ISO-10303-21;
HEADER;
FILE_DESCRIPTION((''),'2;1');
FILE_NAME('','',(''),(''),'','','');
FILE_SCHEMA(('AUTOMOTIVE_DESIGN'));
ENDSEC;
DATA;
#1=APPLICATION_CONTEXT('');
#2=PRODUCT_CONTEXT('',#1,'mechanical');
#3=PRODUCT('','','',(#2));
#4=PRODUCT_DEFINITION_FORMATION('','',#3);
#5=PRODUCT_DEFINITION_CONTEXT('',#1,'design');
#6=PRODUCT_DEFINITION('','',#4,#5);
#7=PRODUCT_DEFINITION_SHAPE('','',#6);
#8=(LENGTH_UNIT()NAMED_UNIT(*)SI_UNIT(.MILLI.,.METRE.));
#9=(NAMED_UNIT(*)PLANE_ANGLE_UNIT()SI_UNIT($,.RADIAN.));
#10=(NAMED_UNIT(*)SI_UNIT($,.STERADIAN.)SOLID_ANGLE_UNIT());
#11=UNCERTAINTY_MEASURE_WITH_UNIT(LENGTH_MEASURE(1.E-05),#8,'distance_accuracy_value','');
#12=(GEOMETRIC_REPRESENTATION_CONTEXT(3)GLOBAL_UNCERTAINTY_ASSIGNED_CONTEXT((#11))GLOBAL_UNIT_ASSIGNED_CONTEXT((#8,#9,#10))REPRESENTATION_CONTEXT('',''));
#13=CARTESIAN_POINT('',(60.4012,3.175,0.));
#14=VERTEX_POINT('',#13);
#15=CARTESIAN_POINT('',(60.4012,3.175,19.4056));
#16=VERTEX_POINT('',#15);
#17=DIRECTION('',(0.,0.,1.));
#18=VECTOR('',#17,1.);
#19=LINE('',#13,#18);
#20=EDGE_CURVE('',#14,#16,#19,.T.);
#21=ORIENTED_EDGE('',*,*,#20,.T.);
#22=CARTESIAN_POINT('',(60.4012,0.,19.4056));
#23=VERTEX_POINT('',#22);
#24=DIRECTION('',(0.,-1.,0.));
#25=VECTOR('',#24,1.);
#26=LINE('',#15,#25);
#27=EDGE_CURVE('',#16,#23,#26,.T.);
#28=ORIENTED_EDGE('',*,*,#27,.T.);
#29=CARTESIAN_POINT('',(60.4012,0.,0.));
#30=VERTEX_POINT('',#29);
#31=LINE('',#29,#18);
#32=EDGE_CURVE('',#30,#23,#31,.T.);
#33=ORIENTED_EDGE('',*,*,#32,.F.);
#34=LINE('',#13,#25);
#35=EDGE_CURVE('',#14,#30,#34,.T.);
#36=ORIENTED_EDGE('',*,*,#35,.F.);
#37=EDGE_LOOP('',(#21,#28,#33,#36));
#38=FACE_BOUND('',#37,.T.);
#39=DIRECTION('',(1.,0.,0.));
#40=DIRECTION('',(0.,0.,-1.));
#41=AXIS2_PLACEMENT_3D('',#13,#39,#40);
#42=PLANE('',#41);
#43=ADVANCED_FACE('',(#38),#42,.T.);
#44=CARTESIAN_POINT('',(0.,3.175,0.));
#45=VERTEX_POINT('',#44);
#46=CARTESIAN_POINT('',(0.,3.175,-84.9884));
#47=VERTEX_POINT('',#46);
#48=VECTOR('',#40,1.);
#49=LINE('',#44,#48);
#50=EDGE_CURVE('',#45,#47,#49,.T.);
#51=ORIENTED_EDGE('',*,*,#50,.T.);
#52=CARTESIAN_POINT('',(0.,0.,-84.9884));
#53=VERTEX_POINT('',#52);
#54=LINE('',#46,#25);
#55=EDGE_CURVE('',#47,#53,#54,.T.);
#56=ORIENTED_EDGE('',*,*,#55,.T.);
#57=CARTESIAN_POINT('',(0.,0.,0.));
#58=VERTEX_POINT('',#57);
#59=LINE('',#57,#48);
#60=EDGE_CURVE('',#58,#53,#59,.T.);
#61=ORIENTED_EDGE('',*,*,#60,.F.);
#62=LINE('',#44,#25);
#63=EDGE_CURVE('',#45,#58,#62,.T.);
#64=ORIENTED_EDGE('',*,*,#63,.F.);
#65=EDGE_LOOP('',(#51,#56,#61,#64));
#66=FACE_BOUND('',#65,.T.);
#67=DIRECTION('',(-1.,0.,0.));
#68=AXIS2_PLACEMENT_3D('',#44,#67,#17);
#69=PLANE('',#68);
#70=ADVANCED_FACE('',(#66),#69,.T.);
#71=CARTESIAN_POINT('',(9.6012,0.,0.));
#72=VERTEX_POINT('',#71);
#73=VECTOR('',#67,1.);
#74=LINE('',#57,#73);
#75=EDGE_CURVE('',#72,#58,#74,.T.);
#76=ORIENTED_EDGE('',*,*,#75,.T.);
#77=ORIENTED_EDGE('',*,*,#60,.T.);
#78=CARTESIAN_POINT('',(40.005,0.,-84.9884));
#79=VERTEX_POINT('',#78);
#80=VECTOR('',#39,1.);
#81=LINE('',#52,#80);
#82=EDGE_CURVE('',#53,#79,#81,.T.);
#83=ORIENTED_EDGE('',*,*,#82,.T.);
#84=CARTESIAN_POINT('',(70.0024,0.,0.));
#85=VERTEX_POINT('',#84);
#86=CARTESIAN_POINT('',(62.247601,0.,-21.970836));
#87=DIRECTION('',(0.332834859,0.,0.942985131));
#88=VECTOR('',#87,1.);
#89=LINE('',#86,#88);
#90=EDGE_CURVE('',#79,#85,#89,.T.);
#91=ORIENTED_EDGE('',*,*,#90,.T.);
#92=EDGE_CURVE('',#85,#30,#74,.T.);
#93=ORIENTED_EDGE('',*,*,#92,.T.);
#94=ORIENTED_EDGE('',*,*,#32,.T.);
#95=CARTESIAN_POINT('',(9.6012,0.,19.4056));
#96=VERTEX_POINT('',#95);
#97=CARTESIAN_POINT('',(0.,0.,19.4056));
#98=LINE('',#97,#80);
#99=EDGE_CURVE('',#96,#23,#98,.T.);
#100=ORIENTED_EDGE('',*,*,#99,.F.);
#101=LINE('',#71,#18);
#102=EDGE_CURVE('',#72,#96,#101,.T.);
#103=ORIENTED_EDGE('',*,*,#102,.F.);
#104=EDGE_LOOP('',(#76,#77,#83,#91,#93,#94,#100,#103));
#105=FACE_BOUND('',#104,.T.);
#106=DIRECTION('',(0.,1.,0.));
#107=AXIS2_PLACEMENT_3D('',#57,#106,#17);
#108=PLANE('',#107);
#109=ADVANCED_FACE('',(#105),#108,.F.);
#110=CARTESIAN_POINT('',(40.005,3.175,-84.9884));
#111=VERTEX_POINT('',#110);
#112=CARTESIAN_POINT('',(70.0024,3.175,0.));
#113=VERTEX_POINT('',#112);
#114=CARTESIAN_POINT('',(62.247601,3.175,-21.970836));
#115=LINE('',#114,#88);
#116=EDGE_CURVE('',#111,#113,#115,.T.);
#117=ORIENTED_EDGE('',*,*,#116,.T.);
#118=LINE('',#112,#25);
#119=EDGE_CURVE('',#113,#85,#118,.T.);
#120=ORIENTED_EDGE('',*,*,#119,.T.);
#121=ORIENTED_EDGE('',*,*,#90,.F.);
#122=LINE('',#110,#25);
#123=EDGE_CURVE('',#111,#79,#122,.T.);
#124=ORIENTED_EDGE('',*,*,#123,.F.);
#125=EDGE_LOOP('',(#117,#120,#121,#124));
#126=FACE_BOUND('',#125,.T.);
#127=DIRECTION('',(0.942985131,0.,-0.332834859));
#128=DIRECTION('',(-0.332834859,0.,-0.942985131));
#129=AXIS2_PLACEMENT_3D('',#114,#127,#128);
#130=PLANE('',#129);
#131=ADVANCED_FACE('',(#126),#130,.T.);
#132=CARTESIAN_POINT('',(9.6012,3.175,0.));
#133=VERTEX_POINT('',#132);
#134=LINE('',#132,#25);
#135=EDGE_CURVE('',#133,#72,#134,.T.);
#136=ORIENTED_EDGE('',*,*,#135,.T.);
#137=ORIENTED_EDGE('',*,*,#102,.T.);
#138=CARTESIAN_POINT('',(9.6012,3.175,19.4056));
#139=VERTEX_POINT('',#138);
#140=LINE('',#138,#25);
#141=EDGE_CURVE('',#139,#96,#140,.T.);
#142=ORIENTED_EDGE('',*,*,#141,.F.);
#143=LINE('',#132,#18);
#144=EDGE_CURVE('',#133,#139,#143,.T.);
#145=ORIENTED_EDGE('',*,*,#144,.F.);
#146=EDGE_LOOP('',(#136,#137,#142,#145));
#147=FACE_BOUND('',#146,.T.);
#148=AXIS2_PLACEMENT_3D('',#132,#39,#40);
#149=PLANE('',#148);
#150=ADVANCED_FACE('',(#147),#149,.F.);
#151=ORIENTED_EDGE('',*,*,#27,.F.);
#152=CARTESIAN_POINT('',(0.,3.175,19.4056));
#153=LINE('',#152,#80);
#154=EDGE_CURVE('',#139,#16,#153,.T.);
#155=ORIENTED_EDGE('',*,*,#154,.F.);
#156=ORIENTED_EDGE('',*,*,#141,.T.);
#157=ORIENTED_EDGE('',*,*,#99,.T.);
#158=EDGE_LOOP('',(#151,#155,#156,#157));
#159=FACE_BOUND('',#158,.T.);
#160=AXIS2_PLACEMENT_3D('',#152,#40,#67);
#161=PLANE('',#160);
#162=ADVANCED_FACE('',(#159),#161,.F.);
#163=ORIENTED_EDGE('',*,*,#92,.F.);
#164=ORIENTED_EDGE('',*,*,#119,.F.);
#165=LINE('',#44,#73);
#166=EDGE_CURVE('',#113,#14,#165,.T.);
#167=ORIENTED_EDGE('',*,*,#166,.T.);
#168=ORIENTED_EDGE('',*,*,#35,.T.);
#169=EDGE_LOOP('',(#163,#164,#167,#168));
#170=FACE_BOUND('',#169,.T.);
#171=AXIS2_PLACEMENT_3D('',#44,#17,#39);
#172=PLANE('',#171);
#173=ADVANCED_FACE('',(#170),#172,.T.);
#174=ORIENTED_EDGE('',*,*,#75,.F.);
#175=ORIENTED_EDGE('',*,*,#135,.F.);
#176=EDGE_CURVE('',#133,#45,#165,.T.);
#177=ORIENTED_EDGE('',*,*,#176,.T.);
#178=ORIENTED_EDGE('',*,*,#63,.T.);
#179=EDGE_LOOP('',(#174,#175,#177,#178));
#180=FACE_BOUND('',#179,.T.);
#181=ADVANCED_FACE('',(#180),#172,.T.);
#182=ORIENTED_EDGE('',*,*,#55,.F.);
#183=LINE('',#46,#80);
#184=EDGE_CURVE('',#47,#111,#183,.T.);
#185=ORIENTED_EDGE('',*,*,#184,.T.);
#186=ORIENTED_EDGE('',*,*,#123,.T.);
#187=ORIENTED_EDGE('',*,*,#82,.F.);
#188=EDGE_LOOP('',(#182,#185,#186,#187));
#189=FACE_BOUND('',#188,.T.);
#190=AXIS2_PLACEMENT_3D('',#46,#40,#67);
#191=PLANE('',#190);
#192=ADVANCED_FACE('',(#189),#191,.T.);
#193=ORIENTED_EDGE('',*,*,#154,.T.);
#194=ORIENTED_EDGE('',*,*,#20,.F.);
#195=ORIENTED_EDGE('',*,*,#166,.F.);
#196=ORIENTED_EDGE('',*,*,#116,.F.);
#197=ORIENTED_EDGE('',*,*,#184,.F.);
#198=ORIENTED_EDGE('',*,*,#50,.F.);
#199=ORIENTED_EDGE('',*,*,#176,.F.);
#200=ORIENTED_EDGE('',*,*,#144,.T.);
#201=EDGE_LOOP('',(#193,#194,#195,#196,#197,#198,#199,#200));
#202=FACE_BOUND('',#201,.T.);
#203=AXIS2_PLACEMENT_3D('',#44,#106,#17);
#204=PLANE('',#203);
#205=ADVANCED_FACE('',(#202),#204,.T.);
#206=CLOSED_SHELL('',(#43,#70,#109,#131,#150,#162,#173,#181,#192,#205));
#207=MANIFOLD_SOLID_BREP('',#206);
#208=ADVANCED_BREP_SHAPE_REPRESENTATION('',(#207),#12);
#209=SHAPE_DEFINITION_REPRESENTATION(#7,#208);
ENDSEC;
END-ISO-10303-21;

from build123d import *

# Parameters (mm, degrees)
SKETCH1_W           = 50.8
SKETCH1_H           = 19.4056
BOSS_EXTRUDE1_DEPTH = 3.175


with BuildPart() as part:
    # Sketch1 → Boss-Extrude1 (new body)
    with BuildSketch(Plane(origin=(0, 0, 0), x_dir=(1, 0, 0), z_dir=(0, 1, 0))):
        with Locations((35.0012, -9.7028)):
            Rectangle(SKETCH1_W, SKETCH1_H)
        Polygon((70.0024, 0), (0, 0), (0, 84.9884), (40.005, 84.9884), align=None)
    extrude(amount=BOSS_EXTRUDE1_DEPTH)


solid = part.part
